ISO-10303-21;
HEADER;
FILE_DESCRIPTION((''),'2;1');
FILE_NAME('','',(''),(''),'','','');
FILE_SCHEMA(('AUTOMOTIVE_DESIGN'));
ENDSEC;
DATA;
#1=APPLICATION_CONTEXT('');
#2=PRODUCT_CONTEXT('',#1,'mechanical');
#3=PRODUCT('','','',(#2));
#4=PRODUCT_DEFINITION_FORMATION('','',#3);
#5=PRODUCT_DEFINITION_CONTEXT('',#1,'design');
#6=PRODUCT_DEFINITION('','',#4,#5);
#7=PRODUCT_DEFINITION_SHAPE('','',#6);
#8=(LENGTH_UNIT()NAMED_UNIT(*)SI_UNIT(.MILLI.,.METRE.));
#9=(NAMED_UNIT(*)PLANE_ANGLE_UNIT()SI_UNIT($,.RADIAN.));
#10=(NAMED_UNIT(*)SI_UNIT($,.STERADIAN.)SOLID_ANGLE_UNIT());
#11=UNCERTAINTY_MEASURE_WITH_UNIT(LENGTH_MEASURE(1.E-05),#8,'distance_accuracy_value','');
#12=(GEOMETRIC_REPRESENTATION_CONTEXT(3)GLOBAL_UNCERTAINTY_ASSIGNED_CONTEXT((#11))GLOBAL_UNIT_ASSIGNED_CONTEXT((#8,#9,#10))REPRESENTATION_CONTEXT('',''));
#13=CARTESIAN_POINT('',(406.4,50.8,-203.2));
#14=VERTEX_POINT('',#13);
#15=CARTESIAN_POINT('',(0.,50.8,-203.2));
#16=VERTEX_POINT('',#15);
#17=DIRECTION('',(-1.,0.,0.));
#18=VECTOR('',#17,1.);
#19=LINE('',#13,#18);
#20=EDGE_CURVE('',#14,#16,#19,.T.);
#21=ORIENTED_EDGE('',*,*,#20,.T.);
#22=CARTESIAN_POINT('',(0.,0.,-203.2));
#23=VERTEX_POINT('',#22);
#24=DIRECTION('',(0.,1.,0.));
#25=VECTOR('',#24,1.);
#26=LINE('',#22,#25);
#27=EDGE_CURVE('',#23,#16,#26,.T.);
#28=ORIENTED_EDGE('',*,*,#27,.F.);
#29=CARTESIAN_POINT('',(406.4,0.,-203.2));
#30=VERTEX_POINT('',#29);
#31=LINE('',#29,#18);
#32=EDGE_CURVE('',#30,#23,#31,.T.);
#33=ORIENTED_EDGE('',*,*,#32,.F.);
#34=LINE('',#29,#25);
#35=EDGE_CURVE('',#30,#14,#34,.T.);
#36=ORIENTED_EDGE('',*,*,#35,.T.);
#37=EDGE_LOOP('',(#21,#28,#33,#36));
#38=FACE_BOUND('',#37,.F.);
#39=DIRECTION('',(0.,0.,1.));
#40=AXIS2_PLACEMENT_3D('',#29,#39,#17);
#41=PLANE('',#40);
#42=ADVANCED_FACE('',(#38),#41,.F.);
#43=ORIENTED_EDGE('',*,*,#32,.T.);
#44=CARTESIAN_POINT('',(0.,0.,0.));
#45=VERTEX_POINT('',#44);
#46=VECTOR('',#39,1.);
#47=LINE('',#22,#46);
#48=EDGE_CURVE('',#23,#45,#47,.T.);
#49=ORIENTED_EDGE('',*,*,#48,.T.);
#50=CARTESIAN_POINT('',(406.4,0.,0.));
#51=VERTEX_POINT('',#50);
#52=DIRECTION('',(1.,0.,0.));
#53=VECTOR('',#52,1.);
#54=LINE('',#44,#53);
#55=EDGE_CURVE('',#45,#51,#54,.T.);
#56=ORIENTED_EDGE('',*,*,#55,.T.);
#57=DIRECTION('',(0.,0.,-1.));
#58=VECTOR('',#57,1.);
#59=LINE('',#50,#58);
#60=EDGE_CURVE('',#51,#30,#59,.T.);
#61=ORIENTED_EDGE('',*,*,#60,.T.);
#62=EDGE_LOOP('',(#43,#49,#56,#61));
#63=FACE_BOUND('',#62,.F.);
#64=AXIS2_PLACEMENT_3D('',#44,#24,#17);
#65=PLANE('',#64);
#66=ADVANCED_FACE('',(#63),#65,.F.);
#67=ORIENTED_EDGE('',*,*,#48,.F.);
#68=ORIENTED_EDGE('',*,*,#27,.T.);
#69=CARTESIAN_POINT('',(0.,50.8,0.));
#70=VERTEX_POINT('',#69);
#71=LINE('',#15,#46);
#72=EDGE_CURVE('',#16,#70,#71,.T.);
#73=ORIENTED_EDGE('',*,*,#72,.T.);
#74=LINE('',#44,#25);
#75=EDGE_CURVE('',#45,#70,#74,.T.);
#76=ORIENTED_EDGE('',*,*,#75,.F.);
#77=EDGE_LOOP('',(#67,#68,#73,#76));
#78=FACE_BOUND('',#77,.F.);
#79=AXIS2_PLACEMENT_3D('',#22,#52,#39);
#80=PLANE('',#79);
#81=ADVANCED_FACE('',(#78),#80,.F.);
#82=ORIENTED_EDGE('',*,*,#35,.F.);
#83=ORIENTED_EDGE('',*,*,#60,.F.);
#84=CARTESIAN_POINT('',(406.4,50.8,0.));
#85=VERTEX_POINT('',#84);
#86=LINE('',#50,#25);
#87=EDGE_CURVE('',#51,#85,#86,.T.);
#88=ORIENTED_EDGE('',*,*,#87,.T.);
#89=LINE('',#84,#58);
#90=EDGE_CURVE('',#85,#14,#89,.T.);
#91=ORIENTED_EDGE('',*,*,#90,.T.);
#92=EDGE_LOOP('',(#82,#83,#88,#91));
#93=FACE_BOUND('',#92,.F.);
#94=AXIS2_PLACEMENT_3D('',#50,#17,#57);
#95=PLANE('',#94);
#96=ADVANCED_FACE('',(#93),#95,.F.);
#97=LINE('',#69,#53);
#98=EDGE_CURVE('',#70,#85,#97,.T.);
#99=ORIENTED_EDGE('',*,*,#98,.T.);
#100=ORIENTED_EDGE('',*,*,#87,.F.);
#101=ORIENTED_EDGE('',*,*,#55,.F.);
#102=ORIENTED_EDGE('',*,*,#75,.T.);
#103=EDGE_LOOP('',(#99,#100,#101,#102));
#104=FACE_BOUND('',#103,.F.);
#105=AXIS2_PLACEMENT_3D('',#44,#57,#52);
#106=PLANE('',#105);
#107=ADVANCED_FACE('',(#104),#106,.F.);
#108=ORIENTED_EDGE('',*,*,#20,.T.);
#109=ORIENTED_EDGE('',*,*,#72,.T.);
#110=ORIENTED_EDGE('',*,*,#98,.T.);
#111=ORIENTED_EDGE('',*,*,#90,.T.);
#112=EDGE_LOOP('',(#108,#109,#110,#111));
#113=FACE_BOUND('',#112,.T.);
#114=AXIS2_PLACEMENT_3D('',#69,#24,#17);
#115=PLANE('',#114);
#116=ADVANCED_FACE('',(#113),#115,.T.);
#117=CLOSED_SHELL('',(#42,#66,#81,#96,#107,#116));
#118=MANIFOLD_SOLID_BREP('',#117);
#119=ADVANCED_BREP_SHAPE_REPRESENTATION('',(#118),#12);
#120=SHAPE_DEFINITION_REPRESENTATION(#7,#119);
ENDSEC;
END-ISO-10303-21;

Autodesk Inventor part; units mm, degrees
ref_plane "YZ Plane" through (0, 0, 0) normal (1, 0, 0) x (0, 1, 0)
ref_plane "XZ Plane" through (0, 0, 0) normal (0, 1, 0) x (-1, 0, 0)
ref_plane "XY Plane" through (0, 0, 0) normal (0, 0, 1) x (1, 0, 0)
sketch "Sketch1" plane through (0, 0, 0) normal (0, 1, 0) x (-1, 0, 0)
  line L0 (0, 0) -> (-406.4, 0)
  line L1 (-406.4, 0) -> (-406.4, -203.2)
  line L2 (-406.4, -203.2) -> (0, -203.2)
  line L3 (0, -203.2) -> (0, 0)
  dimension "d0" = 406.4
  dimension "d1" = 203.2
extrude "Extrusion1" add sketch "Sketch1" along normal blind 50.8
properties part number "8X16X2 - 91" material "Granite, Cut, Polished"
